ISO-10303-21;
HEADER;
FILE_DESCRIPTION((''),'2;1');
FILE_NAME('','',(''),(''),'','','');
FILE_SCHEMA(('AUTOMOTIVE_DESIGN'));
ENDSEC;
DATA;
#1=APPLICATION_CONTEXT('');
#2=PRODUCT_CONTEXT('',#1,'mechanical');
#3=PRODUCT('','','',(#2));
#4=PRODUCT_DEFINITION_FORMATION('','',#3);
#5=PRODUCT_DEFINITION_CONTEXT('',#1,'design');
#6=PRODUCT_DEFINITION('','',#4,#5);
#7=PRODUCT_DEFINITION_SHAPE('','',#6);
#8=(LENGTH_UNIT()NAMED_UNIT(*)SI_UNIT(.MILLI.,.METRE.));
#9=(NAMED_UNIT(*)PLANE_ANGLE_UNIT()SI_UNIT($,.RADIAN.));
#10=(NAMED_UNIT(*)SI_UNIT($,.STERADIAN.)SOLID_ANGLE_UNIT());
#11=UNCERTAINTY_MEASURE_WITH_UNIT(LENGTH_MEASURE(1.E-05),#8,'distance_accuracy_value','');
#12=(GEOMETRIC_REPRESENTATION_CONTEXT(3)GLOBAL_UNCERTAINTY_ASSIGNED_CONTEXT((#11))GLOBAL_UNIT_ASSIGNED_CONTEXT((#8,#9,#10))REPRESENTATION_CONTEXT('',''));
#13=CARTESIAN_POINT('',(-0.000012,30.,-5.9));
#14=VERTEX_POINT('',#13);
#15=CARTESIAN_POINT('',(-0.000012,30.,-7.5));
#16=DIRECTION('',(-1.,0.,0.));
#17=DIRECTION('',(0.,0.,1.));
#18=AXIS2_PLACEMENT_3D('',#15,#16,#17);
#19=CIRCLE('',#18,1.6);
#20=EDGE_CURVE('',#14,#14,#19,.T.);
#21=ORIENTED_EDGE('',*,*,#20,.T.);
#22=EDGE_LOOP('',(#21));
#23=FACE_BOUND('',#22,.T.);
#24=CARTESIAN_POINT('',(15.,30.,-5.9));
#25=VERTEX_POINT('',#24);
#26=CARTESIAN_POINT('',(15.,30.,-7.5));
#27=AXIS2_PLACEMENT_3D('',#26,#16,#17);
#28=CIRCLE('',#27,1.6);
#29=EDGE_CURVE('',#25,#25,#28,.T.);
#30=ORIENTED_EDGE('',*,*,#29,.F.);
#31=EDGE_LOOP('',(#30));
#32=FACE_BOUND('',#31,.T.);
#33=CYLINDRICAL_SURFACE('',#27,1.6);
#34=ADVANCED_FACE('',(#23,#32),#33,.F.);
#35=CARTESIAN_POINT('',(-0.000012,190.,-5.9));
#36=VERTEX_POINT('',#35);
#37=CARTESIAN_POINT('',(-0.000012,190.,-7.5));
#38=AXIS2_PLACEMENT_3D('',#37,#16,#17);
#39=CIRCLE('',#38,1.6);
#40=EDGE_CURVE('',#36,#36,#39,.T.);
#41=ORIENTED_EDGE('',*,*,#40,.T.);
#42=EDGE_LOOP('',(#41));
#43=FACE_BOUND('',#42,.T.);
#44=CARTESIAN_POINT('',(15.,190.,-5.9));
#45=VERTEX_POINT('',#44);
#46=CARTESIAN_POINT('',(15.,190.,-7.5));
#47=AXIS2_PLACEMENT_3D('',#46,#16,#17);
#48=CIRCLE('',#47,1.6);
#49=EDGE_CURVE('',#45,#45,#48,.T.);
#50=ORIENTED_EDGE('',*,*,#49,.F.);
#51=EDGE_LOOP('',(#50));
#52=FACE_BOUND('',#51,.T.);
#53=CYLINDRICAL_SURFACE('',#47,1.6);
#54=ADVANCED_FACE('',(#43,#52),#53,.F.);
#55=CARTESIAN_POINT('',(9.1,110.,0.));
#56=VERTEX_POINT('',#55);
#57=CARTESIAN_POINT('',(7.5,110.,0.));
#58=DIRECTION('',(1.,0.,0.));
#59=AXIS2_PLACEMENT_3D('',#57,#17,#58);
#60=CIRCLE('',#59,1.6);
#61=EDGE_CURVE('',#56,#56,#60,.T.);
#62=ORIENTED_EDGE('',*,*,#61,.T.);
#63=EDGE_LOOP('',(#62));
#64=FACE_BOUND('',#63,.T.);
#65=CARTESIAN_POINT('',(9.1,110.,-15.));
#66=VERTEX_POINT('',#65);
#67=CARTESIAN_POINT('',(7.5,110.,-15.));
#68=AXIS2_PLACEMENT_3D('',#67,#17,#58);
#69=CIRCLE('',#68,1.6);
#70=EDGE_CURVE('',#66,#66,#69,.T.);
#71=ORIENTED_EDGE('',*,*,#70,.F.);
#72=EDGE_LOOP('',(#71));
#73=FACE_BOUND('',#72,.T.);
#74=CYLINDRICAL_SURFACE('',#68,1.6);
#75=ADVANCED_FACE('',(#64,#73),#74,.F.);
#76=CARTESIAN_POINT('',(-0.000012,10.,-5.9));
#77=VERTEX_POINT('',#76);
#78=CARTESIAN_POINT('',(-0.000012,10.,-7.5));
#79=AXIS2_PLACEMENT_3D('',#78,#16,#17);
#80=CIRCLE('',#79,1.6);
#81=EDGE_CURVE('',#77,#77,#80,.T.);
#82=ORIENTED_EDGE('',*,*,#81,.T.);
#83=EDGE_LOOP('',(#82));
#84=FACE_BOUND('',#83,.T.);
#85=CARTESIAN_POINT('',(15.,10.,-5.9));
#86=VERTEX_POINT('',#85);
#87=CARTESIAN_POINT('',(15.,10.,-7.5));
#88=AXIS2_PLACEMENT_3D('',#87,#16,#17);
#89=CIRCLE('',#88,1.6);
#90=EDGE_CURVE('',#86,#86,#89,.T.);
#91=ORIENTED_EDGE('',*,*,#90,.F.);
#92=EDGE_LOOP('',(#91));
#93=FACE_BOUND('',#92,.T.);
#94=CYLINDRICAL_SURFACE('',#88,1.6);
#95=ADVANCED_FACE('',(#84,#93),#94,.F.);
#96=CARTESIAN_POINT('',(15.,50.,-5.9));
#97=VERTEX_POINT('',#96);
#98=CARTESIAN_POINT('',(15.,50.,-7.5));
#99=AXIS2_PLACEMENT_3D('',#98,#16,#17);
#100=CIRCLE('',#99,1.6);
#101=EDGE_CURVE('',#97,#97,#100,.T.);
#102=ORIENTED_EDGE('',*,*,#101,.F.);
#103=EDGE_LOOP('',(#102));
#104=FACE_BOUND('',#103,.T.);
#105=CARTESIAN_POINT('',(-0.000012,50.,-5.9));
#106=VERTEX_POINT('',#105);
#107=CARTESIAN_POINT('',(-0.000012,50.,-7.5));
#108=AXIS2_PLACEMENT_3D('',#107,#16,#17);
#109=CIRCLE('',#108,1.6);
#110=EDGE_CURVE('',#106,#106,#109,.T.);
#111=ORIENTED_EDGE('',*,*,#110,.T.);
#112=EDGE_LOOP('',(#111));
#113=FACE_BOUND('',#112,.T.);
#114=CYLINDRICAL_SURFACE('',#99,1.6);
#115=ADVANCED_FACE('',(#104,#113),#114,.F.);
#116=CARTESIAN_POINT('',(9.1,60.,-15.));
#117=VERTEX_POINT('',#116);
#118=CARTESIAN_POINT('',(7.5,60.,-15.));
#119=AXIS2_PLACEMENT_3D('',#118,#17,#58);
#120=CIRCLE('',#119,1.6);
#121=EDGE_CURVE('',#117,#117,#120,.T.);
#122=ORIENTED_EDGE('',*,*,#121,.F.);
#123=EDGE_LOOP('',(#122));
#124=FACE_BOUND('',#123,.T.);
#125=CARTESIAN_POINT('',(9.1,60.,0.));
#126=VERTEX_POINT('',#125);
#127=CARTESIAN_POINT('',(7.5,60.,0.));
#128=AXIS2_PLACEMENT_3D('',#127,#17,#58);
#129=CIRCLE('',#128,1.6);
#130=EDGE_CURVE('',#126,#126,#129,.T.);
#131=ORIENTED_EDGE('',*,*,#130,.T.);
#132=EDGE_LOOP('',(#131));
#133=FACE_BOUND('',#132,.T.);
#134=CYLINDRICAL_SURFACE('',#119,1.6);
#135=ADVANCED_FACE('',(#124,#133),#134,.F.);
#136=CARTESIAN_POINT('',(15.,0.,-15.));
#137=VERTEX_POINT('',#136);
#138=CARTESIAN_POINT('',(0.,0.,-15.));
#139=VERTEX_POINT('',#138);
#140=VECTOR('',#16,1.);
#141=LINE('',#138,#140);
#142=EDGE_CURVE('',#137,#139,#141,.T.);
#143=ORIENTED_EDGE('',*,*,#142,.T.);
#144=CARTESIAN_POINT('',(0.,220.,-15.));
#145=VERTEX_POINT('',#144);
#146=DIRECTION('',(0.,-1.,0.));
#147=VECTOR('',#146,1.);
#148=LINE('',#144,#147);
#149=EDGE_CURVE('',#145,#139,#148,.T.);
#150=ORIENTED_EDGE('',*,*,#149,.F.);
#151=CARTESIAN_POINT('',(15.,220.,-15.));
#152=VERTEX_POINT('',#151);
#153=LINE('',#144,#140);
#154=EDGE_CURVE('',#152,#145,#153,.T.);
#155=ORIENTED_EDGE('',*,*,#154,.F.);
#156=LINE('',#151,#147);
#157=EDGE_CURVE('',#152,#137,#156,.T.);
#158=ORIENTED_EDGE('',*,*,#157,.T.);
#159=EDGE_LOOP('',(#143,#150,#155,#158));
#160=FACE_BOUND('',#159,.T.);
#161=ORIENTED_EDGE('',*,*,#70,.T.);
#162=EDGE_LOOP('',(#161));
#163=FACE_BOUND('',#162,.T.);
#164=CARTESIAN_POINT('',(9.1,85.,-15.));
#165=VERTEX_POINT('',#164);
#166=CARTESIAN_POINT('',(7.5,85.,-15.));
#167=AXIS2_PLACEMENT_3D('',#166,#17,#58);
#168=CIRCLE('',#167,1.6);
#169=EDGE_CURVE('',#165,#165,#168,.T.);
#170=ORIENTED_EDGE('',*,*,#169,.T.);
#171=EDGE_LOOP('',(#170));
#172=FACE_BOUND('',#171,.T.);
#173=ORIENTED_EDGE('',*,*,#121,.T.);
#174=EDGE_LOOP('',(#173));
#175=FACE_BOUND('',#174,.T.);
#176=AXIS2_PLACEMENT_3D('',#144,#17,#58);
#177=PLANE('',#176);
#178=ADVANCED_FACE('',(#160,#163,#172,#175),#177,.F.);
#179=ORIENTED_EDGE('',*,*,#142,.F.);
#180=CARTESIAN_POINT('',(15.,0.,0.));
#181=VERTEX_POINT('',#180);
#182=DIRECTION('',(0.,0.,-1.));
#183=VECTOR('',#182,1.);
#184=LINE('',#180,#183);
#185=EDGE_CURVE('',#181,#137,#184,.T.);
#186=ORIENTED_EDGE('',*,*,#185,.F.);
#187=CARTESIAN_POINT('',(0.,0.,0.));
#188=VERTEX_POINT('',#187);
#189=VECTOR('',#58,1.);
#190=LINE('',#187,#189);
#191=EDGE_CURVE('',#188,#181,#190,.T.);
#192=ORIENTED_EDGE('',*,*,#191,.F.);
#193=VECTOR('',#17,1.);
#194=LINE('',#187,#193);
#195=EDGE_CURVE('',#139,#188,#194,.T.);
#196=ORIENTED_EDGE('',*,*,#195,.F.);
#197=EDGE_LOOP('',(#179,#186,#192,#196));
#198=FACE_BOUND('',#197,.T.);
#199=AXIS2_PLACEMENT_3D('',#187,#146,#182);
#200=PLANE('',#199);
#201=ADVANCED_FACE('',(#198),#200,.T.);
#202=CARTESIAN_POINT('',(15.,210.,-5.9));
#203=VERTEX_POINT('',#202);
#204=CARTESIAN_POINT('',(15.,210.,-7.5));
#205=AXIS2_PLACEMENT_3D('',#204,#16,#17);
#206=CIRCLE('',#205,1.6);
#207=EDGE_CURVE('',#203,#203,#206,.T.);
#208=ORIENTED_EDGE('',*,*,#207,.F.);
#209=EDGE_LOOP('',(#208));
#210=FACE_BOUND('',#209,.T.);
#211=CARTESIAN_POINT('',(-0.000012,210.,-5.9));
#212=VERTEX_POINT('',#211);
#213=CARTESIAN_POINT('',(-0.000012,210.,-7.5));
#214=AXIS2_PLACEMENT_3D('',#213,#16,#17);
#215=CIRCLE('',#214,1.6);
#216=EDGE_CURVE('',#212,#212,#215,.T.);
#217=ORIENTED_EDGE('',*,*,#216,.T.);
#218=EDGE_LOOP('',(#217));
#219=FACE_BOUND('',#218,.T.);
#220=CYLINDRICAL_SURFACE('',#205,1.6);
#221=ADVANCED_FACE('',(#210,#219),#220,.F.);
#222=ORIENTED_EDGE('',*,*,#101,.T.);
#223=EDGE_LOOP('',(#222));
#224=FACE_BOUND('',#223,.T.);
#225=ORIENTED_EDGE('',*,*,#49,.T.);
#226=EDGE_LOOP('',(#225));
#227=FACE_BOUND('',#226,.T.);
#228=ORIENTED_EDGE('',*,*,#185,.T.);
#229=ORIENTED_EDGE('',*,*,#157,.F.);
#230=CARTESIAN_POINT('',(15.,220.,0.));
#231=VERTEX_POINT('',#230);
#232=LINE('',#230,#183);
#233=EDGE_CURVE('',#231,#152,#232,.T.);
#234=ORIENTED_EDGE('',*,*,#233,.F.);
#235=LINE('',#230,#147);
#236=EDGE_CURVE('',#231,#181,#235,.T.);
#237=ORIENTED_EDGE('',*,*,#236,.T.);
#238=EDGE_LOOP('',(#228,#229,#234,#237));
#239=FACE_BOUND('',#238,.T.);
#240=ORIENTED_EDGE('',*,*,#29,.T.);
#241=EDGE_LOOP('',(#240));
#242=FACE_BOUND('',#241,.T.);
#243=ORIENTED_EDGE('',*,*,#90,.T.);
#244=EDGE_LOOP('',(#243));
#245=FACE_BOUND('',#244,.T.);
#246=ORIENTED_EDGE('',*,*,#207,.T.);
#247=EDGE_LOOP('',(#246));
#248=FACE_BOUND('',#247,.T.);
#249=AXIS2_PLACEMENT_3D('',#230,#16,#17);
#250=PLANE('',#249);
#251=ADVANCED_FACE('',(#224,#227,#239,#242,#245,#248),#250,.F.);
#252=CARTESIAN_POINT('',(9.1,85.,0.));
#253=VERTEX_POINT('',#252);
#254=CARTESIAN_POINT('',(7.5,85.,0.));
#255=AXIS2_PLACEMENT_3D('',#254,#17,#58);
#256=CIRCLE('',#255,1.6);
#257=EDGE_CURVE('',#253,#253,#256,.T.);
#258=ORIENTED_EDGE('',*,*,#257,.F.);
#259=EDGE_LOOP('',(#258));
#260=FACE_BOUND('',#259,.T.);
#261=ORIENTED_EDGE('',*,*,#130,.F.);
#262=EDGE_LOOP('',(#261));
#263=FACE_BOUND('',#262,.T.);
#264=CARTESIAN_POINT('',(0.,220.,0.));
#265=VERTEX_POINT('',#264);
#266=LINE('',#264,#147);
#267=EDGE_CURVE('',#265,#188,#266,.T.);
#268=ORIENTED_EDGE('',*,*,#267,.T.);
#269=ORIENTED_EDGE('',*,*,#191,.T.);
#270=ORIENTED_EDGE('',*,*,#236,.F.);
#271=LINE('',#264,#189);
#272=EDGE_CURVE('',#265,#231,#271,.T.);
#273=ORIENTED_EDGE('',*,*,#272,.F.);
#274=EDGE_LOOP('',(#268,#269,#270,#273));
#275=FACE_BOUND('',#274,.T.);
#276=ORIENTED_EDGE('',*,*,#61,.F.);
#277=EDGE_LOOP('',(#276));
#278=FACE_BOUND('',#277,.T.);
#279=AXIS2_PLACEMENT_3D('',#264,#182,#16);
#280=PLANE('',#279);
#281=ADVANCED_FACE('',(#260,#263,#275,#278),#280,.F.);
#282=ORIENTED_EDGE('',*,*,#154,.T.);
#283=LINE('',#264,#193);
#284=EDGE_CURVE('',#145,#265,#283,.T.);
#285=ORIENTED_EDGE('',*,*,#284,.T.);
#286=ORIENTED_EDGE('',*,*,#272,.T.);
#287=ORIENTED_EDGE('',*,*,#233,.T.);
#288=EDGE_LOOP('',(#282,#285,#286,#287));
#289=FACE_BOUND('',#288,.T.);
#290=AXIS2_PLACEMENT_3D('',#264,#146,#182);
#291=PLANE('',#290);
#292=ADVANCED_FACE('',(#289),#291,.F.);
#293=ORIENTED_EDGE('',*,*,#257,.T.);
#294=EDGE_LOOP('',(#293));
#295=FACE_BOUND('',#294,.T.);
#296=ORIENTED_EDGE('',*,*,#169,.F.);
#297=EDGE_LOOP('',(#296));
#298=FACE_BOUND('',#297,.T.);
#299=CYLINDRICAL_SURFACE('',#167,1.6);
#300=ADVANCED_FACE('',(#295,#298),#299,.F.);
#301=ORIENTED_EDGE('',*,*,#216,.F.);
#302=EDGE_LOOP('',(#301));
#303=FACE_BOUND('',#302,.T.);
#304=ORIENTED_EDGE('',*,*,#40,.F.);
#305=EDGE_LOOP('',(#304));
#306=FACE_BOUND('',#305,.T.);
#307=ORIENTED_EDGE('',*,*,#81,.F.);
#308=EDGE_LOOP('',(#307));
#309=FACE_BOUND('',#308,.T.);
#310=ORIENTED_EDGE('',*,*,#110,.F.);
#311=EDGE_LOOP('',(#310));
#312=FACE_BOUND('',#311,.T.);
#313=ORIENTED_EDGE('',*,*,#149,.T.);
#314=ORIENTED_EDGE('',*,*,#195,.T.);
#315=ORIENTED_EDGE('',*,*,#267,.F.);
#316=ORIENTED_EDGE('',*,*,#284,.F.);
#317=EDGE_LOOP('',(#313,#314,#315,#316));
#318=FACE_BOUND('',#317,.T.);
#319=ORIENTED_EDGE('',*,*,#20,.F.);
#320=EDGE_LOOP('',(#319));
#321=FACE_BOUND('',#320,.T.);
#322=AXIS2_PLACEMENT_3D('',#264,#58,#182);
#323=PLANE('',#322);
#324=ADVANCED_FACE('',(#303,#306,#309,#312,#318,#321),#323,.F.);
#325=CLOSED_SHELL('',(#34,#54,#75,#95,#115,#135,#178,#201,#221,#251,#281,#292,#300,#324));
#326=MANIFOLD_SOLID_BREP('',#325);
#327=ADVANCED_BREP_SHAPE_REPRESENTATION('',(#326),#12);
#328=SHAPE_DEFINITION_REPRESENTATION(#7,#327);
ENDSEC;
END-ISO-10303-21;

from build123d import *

# Parameters (mm, degrees)
SKETCH_1_W               = 15
SKETCH_1_H               = 15
EXTRUDE_1_DEPTH          = 220
SKETCH_2_R               = 1.6
CUT_EXTRUDE_1_DEPTH      = 222.020361053
CUT_EXTRUDE_2_DEPTH      = 222.020361053
CUT_EXTRUDE_2_DEPTH_BACK = 222.020361053
SKETCH_3_R               = 1.6


with BuildPart() as part:
    # 草图1 → 凸台-拉伸1 (new body)
    with BuildSketch(Plane(origin=(0, 0, 0), x_dir=(1, 0, 0), z_dir=(0, 1, 0))):
        with Locations((7.5, 7.5)):
            Rectangle(SKETCH_1_W, SKETCH_1_H)
    extrude(amount=EXTRUDE_1_DEPTH)

    # 草图2 → 切除-拉伸1 (cut, through all)
    with BuildSketch(Plane.XY):
        with Locations((7.5, 60)):
            Circle(SKETCH_2_R)
        with Locations((7.5, 85)):
            Circle(SKETCH_2_R)
        with Locations((7.5, 110)):
            Circle(SKETCH_2_R)
    extrude(amount=-CUT_EXTRUDE_1_DEPTH, mode=Mode.SUBTRACT)

    # 草图3 → 切除-拉伸2 (cut, two sides: drawn at the far end of the back side and taken through both)
    with BuildSketch(Plane.ZY.offset(-CUT_EXTRUDE_2_DEPTH_BACK)):
        with Locations((-7.5, 50)):
            Circle(SKETCH_3_R)
        with Locations((-7.5, 10)):
            Circle(SKETCH_3_R)
        with Locations((-7.5, 30)):
            Circle(SKETCH_3_R)
        with Locations((-7.5, 210)):
            Circle(SKETCH_3_R)
        with Locations((-7.5, 190)):
            Circle(SKETCH_3_R)
    extrude(amount=CUT_EXTRUDE_2_DEPTH + CUT_EXTRUDE_2_DEPTH_BACK, mode=Mode.SUBTRACT)


solid = part.part
